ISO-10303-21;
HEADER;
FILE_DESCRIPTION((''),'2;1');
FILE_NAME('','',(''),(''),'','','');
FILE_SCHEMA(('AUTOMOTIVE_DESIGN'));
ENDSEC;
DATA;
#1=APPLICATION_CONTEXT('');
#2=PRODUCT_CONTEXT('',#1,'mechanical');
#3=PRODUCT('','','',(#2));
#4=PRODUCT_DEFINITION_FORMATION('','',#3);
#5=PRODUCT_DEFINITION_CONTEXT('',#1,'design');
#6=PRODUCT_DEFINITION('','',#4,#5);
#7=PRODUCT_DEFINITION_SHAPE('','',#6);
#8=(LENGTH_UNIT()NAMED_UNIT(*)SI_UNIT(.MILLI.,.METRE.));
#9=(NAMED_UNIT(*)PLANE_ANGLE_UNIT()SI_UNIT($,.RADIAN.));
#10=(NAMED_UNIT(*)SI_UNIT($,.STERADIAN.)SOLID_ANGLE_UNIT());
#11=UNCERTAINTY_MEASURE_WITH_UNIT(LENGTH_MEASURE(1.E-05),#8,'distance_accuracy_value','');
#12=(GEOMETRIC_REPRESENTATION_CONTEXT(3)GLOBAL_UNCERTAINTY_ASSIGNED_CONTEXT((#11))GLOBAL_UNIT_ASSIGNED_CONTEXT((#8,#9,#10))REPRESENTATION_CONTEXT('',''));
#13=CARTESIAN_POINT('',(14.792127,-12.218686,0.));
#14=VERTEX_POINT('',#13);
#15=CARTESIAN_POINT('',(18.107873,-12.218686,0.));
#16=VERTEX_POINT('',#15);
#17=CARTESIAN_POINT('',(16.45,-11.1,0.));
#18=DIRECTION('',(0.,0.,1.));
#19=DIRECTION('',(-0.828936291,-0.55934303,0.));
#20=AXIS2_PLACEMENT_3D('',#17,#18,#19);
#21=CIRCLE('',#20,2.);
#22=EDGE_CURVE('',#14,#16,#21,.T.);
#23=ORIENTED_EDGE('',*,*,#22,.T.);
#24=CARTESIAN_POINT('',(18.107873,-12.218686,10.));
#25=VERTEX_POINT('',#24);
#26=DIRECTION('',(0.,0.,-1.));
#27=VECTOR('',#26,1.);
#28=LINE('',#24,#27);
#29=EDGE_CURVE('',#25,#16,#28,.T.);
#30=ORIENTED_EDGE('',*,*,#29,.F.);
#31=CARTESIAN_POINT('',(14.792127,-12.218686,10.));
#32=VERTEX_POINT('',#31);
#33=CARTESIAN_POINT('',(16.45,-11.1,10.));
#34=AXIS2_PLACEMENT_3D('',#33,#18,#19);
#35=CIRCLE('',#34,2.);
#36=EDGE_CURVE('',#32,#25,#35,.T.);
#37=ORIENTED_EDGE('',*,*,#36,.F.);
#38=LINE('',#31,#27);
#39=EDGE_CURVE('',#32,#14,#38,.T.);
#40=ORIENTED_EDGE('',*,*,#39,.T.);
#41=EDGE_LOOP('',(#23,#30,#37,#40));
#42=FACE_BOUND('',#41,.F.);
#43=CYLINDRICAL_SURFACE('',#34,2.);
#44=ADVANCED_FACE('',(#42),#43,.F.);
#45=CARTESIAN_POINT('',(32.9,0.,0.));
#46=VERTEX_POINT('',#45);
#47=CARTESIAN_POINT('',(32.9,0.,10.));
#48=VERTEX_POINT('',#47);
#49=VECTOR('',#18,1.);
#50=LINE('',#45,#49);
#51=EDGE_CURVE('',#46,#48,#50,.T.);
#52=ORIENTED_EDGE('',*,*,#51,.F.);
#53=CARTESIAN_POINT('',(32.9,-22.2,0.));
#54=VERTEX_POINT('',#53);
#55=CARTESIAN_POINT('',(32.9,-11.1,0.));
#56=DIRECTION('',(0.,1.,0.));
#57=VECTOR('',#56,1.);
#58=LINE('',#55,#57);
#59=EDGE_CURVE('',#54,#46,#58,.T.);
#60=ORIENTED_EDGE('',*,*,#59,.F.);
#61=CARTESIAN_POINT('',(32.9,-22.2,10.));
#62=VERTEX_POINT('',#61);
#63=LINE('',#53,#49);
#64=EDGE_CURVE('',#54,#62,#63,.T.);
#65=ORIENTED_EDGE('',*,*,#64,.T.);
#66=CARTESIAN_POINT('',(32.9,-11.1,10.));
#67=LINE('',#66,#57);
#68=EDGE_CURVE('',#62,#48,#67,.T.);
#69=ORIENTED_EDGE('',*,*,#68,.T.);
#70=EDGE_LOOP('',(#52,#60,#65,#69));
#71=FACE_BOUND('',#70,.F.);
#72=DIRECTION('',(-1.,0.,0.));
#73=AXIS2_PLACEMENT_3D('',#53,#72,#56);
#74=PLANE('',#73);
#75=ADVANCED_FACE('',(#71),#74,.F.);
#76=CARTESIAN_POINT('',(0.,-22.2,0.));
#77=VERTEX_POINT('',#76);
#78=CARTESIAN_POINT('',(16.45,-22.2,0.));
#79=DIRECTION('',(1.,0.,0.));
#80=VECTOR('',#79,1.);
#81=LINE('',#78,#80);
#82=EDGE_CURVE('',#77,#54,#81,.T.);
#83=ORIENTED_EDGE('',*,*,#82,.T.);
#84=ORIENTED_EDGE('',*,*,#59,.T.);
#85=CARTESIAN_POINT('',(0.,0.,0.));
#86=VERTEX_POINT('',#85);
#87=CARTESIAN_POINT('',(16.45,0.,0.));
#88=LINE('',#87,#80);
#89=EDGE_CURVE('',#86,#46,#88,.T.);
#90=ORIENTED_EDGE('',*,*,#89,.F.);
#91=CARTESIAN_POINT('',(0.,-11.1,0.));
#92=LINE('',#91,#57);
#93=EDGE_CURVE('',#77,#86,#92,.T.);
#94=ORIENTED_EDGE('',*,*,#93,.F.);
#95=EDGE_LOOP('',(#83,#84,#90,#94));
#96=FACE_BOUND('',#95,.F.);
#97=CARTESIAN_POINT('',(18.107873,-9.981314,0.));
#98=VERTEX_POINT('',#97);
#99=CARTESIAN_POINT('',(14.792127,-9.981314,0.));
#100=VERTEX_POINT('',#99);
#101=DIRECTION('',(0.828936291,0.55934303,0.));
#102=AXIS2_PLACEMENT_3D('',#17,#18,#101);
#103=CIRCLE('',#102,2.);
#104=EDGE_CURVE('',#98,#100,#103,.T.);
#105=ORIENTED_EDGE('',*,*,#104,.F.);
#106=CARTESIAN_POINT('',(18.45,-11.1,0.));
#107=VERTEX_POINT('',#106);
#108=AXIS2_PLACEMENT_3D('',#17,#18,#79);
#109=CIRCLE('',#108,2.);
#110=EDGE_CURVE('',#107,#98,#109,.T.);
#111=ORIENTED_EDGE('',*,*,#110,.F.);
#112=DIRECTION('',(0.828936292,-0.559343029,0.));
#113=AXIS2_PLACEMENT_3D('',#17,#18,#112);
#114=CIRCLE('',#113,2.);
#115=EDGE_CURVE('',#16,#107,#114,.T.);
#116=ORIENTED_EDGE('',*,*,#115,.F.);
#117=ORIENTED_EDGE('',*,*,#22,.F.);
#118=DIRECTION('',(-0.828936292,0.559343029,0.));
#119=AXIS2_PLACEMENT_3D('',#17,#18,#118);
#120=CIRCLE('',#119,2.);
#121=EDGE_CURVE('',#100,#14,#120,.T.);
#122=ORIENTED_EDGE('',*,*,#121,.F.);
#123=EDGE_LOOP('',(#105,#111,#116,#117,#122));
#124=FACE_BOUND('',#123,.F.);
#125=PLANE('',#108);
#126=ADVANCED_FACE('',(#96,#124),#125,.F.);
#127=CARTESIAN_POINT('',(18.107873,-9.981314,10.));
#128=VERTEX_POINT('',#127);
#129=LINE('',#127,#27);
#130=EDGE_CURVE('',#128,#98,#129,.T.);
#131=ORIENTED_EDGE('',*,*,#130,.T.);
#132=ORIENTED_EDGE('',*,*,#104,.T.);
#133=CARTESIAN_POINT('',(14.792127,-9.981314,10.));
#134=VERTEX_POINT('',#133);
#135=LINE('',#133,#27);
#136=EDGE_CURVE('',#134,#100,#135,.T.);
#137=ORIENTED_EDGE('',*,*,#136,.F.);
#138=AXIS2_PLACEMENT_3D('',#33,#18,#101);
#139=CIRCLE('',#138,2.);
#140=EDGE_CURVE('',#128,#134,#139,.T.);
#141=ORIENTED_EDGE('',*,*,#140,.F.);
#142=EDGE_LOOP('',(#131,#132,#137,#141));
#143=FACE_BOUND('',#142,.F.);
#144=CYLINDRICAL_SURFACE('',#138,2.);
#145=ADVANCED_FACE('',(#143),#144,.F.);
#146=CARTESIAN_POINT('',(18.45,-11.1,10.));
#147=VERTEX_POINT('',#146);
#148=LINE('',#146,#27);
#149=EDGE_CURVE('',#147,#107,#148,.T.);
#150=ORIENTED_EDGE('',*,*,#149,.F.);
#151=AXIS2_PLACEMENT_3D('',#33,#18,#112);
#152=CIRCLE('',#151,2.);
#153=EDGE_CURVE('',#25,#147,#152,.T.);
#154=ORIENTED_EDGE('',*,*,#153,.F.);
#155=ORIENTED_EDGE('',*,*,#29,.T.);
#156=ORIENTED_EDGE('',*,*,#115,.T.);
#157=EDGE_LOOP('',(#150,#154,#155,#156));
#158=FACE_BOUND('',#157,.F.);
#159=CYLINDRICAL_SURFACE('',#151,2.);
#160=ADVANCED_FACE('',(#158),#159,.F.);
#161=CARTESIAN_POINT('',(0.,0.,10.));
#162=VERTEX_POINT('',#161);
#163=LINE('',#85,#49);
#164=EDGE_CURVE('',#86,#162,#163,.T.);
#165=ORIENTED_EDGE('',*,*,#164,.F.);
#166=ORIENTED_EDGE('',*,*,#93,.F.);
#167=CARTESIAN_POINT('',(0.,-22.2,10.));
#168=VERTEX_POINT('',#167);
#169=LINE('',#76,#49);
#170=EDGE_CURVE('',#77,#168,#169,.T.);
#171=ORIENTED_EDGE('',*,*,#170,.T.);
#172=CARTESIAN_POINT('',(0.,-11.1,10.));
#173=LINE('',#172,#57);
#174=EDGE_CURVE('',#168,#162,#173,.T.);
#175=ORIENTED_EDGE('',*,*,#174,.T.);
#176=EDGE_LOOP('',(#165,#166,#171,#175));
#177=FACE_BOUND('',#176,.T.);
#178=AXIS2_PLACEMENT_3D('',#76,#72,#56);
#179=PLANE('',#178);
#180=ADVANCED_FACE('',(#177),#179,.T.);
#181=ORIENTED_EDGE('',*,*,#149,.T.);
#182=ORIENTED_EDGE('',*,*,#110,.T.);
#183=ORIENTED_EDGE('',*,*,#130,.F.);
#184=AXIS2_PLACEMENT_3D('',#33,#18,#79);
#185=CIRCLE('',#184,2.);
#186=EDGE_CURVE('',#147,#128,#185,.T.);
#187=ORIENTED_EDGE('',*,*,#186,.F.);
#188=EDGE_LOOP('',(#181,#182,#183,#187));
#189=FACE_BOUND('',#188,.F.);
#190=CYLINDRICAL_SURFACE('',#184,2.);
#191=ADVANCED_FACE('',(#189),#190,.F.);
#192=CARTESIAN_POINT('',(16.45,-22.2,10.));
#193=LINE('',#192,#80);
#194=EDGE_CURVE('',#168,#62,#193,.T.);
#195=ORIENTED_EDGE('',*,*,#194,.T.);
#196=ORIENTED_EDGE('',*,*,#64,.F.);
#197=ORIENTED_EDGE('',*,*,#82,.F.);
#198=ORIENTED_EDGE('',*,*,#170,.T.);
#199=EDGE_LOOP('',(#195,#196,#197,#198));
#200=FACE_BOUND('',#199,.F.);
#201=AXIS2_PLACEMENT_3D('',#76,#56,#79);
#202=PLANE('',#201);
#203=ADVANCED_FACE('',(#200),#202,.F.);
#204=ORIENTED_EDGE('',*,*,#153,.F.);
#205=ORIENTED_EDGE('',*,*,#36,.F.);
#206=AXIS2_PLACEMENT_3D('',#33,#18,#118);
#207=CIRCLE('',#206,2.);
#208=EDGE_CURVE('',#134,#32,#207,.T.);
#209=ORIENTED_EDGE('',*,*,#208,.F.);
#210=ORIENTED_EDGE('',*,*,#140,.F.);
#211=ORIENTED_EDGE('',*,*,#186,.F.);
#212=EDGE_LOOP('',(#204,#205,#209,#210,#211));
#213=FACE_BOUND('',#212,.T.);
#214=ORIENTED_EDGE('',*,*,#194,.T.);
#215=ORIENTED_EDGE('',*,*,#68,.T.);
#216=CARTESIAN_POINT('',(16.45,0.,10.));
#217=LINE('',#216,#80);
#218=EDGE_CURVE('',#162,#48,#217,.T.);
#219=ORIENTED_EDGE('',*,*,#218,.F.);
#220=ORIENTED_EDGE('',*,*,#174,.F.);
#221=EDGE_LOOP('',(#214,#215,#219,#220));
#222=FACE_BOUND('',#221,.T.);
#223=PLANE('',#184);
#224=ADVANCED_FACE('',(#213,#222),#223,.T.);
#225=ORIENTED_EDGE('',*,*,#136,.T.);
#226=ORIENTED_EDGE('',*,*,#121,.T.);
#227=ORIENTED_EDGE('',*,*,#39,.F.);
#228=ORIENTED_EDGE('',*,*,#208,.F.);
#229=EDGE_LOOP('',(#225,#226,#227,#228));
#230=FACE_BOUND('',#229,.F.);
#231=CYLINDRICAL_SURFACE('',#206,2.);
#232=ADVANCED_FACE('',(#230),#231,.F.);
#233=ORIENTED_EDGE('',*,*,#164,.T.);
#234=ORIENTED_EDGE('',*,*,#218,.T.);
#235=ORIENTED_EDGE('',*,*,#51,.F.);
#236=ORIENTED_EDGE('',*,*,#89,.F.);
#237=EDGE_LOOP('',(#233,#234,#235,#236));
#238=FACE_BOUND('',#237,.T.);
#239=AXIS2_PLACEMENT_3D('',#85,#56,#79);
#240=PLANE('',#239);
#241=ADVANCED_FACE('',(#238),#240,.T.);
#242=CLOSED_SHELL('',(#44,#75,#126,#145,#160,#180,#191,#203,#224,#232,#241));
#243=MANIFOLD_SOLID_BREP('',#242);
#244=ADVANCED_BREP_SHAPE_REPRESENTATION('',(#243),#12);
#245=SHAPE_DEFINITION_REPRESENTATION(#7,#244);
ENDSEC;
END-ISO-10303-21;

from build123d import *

# Parameters (mm, degrees)
F0_W     = 32.9
F0_H     = 22.2
F1_DEPTH = 10
F3_DEPTH = 25


with BuildPart() as f1:
    # F0 (on Top) → F1 (new body)
    with BuildSketch(Plane.XY):
        with Locations((16.45, -11.1)):
            Rectangle(F0_W, F0_H)
    extrude(amount=F1_DEPTH)

    # F2 (on face) → F3 (cut)
    with BuildSketch(Plane.XY.offset(10)):
        with BuildLine():
            Line((16.45, -11.1), (14.792127417, -9.981313941))
            ThreePointArc((14.792127417, -9.981313941), (14.45, -11.1), (14.792127417, -12.218686059))
            Line((14.792127417, -12.218686059), (16.45, -11.1))
        make_face()
        with BuildLine():
            ThreePointArc((18.107872583, -9.981313941), (16.45, -9.1), (14.792127417, -9.981313941))
            Line((14.792127417, -9.981313941), (16.45, -11.1))
            Line((16.45, -11.1), (18.107872583, -9.981313941))
        make_face()
        with BuildLine():
            Line((18.107872583, -12.218686059), (16.45, -11.1))
            Line((16.45, -11.1), (14.792127417, -12.218686059))
            ThreePointArc((14.792127417, -12.218686059), (16.45, -13.1), (18.107872583, -12.218686059))
        make_face()
        with BuildLine():
            Line((18.107872583, -9.981313941), (16.45, -11.1))
            Line((16.45, -11.1), (18.107872583, -12.218686059))
            ThreePointArc((18.107872583, -12.218686059), (18.3625565568, -11.6849165898), (18.45, -11.1))
            ThreePointArc((18.45, -11.1), (18.3625565568, -10.5150834102), (18.107872583, -9.981313941))
        make_face()
    extrude(amount=-F3_DEPTH, mode=Mode.SUBTRACT)


solid = f1.part
